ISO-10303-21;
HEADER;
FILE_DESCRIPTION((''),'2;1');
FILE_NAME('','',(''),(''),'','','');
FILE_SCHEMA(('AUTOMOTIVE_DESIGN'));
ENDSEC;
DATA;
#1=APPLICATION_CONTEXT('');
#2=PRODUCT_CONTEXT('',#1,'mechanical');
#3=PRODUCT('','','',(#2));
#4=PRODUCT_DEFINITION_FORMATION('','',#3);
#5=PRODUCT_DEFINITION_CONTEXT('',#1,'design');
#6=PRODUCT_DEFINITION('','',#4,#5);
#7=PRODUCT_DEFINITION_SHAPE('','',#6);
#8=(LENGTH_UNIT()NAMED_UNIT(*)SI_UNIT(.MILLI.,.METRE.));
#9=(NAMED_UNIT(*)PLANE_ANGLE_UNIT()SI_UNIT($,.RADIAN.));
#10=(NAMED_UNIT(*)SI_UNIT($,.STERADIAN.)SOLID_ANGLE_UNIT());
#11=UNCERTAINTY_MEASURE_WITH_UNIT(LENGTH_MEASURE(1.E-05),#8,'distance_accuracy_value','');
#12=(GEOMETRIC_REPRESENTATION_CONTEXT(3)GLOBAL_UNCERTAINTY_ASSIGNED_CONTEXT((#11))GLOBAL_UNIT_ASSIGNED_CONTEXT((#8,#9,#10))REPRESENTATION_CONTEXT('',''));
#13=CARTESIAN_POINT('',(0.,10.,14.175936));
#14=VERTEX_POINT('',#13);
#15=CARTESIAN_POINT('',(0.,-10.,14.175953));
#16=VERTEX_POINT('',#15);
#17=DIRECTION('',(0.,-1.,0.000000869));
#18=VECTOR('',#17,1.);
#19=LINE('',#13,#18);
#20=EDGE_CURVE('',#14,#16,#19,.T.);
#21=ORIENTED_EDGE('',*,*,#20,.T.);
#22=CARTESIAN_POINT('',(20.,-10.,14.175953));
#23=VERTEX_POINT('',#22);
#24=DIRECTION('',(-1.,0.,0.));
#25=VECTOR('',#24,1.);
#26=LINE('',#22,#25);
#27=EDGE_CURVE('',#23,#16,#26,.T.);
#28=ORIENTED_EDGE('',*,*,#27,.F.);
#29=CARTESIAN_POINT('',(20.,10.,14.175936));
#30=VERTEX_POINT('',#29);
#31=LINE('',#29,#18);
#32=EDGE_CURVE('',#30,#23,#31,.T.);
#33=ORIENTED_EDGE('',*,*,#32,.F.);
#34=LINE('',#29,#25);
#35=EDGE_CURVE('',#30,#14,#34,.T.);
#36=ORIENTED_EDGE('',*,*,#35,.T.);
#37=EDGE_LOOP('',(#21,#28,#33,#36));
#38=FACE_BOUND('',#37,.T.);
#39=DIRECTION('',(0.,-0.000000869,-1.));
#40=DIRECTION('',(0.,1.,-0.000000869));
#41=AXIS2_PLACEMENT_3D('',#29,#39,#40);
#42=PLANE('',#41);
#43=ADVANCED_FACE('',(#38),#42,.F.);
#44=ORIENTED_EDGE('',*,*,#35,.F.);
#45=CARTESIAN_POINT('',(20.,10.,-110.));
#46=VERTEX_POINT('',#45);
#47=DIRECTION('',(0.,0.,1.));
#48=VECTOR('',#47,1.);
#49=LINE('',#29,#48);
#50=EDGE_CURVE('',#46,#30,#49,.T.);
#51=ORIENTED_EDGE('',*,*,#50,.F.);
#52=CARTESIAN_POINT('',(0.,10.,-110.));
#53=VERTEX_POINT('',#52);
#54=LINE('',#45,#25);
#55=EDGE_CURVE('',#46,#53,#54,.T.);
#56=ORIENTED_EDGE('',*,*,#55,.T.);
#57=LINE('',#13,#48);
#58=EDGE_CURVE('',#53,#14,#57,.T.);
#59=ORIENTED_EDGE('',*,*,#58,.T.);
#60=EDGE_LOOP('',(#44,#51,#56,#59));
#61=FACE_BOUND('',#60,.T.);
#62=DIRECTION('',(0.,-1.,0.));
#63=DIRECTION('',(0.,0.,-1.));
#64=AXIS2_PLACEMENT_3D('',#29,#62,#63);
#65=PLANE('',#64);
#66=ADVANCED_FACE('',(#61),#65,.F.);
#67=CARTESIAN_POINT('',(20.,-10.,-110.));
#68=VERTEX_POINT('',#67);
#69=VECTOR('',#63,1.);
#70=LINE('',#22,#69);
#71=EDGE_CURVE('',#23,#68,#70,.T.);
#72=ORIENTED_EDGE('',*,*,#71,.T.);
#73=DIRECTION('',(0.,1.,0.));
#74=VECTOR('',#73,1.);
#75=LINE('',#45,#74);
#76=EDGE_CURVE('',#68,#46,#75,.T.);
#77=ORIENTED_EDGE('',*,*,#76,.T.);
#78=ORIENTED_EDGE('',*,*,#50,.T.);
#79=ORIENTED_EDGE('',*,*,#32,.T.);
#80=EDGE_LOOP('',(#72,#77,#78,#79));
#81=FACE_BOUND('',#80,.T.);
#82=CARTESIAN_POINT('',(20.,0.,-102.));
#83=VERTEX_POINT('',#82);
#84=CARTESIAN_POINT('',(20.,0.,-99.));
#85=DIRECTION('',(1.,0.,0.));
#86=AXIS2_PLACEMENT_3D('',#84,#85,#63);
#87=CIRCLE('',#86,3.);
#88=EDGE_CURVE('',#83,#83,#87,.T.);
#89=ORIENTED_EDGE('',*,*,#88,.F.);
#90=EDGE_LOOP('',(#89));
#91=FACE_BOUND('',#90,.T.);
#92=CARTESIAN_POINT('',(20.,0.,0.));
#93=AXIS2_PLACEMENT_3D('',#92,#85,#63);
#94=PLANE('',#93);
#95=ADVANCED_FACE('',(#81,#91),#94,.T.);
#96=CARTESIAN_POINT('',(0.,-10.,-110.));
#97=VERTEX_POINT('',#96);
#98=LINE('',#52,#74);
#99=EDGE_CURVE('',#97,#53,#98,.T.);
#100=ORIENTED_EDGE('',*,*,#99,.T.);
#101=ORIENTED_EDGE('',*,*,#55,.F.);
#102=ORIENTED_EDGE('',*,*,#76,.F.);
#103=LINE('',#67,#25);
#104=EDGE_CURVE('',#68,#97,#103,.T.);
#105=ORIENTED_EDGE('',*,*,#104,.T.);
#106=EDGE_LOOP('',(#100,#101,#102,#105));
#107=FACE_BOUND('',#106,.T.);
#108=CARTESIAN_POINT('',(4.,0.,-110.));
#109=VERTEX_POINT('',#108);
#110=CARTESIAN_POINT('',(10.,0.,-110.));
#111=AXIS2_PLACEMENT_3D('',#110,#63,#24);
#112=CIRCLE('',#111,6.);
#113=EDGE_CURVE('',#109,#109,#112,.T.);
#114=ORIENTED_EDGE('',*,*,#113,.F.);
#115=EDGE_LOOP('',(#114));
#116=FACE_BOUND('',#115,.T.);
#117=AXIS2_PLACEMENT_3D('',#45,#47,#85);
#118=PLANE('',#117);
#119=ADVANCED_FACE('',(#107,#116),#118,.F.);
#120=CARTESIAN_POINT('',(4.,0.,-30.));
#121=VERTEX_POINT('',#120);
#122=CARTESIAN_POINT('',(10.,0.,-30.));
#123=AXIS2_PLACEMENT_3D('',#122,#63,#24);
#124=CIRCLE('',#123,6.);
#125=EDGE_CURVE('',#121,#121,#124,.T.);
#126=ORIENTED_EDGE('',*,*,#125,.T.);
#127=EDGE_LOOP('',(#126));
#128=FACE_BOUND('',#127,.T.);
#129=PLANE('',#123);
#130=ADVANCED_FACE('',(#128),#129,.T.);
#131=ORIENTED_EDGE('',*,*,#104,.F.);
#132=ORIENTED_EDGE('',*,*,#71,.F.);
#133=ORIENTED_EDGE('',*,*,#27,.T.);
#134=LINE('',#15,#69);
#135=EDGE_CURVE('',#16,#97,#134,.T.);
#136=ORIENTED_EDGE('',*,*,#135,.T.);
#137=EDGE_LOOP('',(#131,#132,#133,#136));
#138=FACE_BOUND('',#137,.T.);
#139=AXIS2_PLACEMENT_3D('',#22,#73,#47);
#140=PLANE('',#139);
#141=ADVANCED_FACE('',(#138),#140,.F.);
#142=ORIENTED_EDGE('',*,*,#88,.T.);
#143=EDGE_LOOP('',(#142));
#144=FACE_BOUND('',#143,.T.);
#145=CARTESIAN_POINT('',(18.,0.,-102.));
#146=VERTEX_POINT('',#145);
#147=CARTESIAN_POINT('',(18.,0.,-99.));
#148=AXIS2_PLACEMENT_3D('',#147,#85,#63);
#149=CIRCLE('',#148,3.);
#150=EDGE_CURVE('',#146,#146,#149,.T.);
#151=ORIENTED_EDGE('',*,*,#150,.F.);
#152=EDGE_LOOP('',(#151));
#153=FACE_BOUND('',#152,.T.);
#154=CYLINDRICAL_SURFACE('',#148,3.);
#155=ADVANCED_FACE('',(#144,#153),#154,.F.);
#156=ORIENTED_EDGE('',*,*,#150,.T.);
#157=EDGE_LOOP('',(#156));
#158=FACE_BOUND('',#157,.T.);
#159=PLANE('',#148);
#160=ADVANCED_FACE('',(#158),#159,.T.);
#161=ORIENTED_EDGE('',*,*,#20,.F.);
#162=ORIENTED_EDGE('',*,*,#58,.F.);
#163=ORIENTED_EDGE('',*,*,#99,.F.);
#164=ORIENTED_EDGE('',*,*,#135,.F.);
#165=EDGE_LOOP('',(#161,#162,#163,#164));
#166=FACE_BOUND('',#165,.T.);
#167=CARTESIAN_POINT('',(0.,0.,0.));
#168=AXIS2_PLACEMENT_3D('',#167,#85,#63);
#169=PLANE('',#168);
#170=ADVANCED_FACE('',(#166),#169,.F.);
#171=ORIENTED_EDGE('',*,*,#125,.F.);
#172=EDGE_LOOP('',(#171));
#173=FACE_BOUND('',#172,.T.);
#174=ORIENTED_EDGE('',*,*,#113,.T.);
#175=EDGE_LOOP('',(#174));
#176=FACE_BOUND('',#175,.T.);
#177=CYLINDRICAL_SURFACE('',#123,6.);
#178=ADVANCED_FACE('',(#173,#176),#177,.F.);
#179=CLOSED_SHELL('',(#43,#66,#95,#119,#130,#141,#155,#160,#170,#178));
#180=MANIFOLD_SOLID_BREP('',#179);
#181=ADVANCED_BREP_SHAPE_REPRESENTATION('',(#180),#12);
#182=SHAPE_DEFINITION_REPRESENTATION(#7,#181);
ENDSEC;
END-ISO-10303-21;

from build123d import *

# Parameters (mm, degrees)
EXTRUDE_1_DEPTH     = 20
SKETCH_2_R          = 6
CUT_EXTRUDE_1_DEPTH = 80
SKETCH_3_R          = 3
CUT_EXTRUDE_2_DEPTH = 2


with BuildPart() as part:
    # 草图1 → 凸台-拉伸1 (new body)
    with BuildSketch(Plane(origin=(0, 0, 0), x_dir=(0, 0, -1), z_dir=(1, 0, 0))):
        Polygon((-14.17593604, 10), (-14.175953417, -10), (110, -10), (110, 10), align=None)
    extrude(amount=EXTRUDE_1_DEPTH)

    # 草图2 → 切除-拉伸1 (cut)
    with BuildSketch(Plane(origin=(0, 0, -110), x_dir=(-1, 0, 0), z_dir=(0, 0, -1))):
        with Locations((-10, 0)):
            Circle(SKETCH_2_R)
    extrude(amount=-CUT_EXTRUDE_1_DEPTH, mode=Mode.SUBTRACT)

    # 草图3 → 切除-拉伸2 (cut)
    with BuildSketch(Plane(origin=(20, 0, 0), x_dir=(0, 0, -1), z_dir=(1, 0, 0))):
        with Locations((99, 0)):
            Circle(SKETCH_3_R)
    extrude(amount=-CUT_EXTRUDE_2_DEPTH, mode=Mode.SUBTRACT)


solid = part.part
